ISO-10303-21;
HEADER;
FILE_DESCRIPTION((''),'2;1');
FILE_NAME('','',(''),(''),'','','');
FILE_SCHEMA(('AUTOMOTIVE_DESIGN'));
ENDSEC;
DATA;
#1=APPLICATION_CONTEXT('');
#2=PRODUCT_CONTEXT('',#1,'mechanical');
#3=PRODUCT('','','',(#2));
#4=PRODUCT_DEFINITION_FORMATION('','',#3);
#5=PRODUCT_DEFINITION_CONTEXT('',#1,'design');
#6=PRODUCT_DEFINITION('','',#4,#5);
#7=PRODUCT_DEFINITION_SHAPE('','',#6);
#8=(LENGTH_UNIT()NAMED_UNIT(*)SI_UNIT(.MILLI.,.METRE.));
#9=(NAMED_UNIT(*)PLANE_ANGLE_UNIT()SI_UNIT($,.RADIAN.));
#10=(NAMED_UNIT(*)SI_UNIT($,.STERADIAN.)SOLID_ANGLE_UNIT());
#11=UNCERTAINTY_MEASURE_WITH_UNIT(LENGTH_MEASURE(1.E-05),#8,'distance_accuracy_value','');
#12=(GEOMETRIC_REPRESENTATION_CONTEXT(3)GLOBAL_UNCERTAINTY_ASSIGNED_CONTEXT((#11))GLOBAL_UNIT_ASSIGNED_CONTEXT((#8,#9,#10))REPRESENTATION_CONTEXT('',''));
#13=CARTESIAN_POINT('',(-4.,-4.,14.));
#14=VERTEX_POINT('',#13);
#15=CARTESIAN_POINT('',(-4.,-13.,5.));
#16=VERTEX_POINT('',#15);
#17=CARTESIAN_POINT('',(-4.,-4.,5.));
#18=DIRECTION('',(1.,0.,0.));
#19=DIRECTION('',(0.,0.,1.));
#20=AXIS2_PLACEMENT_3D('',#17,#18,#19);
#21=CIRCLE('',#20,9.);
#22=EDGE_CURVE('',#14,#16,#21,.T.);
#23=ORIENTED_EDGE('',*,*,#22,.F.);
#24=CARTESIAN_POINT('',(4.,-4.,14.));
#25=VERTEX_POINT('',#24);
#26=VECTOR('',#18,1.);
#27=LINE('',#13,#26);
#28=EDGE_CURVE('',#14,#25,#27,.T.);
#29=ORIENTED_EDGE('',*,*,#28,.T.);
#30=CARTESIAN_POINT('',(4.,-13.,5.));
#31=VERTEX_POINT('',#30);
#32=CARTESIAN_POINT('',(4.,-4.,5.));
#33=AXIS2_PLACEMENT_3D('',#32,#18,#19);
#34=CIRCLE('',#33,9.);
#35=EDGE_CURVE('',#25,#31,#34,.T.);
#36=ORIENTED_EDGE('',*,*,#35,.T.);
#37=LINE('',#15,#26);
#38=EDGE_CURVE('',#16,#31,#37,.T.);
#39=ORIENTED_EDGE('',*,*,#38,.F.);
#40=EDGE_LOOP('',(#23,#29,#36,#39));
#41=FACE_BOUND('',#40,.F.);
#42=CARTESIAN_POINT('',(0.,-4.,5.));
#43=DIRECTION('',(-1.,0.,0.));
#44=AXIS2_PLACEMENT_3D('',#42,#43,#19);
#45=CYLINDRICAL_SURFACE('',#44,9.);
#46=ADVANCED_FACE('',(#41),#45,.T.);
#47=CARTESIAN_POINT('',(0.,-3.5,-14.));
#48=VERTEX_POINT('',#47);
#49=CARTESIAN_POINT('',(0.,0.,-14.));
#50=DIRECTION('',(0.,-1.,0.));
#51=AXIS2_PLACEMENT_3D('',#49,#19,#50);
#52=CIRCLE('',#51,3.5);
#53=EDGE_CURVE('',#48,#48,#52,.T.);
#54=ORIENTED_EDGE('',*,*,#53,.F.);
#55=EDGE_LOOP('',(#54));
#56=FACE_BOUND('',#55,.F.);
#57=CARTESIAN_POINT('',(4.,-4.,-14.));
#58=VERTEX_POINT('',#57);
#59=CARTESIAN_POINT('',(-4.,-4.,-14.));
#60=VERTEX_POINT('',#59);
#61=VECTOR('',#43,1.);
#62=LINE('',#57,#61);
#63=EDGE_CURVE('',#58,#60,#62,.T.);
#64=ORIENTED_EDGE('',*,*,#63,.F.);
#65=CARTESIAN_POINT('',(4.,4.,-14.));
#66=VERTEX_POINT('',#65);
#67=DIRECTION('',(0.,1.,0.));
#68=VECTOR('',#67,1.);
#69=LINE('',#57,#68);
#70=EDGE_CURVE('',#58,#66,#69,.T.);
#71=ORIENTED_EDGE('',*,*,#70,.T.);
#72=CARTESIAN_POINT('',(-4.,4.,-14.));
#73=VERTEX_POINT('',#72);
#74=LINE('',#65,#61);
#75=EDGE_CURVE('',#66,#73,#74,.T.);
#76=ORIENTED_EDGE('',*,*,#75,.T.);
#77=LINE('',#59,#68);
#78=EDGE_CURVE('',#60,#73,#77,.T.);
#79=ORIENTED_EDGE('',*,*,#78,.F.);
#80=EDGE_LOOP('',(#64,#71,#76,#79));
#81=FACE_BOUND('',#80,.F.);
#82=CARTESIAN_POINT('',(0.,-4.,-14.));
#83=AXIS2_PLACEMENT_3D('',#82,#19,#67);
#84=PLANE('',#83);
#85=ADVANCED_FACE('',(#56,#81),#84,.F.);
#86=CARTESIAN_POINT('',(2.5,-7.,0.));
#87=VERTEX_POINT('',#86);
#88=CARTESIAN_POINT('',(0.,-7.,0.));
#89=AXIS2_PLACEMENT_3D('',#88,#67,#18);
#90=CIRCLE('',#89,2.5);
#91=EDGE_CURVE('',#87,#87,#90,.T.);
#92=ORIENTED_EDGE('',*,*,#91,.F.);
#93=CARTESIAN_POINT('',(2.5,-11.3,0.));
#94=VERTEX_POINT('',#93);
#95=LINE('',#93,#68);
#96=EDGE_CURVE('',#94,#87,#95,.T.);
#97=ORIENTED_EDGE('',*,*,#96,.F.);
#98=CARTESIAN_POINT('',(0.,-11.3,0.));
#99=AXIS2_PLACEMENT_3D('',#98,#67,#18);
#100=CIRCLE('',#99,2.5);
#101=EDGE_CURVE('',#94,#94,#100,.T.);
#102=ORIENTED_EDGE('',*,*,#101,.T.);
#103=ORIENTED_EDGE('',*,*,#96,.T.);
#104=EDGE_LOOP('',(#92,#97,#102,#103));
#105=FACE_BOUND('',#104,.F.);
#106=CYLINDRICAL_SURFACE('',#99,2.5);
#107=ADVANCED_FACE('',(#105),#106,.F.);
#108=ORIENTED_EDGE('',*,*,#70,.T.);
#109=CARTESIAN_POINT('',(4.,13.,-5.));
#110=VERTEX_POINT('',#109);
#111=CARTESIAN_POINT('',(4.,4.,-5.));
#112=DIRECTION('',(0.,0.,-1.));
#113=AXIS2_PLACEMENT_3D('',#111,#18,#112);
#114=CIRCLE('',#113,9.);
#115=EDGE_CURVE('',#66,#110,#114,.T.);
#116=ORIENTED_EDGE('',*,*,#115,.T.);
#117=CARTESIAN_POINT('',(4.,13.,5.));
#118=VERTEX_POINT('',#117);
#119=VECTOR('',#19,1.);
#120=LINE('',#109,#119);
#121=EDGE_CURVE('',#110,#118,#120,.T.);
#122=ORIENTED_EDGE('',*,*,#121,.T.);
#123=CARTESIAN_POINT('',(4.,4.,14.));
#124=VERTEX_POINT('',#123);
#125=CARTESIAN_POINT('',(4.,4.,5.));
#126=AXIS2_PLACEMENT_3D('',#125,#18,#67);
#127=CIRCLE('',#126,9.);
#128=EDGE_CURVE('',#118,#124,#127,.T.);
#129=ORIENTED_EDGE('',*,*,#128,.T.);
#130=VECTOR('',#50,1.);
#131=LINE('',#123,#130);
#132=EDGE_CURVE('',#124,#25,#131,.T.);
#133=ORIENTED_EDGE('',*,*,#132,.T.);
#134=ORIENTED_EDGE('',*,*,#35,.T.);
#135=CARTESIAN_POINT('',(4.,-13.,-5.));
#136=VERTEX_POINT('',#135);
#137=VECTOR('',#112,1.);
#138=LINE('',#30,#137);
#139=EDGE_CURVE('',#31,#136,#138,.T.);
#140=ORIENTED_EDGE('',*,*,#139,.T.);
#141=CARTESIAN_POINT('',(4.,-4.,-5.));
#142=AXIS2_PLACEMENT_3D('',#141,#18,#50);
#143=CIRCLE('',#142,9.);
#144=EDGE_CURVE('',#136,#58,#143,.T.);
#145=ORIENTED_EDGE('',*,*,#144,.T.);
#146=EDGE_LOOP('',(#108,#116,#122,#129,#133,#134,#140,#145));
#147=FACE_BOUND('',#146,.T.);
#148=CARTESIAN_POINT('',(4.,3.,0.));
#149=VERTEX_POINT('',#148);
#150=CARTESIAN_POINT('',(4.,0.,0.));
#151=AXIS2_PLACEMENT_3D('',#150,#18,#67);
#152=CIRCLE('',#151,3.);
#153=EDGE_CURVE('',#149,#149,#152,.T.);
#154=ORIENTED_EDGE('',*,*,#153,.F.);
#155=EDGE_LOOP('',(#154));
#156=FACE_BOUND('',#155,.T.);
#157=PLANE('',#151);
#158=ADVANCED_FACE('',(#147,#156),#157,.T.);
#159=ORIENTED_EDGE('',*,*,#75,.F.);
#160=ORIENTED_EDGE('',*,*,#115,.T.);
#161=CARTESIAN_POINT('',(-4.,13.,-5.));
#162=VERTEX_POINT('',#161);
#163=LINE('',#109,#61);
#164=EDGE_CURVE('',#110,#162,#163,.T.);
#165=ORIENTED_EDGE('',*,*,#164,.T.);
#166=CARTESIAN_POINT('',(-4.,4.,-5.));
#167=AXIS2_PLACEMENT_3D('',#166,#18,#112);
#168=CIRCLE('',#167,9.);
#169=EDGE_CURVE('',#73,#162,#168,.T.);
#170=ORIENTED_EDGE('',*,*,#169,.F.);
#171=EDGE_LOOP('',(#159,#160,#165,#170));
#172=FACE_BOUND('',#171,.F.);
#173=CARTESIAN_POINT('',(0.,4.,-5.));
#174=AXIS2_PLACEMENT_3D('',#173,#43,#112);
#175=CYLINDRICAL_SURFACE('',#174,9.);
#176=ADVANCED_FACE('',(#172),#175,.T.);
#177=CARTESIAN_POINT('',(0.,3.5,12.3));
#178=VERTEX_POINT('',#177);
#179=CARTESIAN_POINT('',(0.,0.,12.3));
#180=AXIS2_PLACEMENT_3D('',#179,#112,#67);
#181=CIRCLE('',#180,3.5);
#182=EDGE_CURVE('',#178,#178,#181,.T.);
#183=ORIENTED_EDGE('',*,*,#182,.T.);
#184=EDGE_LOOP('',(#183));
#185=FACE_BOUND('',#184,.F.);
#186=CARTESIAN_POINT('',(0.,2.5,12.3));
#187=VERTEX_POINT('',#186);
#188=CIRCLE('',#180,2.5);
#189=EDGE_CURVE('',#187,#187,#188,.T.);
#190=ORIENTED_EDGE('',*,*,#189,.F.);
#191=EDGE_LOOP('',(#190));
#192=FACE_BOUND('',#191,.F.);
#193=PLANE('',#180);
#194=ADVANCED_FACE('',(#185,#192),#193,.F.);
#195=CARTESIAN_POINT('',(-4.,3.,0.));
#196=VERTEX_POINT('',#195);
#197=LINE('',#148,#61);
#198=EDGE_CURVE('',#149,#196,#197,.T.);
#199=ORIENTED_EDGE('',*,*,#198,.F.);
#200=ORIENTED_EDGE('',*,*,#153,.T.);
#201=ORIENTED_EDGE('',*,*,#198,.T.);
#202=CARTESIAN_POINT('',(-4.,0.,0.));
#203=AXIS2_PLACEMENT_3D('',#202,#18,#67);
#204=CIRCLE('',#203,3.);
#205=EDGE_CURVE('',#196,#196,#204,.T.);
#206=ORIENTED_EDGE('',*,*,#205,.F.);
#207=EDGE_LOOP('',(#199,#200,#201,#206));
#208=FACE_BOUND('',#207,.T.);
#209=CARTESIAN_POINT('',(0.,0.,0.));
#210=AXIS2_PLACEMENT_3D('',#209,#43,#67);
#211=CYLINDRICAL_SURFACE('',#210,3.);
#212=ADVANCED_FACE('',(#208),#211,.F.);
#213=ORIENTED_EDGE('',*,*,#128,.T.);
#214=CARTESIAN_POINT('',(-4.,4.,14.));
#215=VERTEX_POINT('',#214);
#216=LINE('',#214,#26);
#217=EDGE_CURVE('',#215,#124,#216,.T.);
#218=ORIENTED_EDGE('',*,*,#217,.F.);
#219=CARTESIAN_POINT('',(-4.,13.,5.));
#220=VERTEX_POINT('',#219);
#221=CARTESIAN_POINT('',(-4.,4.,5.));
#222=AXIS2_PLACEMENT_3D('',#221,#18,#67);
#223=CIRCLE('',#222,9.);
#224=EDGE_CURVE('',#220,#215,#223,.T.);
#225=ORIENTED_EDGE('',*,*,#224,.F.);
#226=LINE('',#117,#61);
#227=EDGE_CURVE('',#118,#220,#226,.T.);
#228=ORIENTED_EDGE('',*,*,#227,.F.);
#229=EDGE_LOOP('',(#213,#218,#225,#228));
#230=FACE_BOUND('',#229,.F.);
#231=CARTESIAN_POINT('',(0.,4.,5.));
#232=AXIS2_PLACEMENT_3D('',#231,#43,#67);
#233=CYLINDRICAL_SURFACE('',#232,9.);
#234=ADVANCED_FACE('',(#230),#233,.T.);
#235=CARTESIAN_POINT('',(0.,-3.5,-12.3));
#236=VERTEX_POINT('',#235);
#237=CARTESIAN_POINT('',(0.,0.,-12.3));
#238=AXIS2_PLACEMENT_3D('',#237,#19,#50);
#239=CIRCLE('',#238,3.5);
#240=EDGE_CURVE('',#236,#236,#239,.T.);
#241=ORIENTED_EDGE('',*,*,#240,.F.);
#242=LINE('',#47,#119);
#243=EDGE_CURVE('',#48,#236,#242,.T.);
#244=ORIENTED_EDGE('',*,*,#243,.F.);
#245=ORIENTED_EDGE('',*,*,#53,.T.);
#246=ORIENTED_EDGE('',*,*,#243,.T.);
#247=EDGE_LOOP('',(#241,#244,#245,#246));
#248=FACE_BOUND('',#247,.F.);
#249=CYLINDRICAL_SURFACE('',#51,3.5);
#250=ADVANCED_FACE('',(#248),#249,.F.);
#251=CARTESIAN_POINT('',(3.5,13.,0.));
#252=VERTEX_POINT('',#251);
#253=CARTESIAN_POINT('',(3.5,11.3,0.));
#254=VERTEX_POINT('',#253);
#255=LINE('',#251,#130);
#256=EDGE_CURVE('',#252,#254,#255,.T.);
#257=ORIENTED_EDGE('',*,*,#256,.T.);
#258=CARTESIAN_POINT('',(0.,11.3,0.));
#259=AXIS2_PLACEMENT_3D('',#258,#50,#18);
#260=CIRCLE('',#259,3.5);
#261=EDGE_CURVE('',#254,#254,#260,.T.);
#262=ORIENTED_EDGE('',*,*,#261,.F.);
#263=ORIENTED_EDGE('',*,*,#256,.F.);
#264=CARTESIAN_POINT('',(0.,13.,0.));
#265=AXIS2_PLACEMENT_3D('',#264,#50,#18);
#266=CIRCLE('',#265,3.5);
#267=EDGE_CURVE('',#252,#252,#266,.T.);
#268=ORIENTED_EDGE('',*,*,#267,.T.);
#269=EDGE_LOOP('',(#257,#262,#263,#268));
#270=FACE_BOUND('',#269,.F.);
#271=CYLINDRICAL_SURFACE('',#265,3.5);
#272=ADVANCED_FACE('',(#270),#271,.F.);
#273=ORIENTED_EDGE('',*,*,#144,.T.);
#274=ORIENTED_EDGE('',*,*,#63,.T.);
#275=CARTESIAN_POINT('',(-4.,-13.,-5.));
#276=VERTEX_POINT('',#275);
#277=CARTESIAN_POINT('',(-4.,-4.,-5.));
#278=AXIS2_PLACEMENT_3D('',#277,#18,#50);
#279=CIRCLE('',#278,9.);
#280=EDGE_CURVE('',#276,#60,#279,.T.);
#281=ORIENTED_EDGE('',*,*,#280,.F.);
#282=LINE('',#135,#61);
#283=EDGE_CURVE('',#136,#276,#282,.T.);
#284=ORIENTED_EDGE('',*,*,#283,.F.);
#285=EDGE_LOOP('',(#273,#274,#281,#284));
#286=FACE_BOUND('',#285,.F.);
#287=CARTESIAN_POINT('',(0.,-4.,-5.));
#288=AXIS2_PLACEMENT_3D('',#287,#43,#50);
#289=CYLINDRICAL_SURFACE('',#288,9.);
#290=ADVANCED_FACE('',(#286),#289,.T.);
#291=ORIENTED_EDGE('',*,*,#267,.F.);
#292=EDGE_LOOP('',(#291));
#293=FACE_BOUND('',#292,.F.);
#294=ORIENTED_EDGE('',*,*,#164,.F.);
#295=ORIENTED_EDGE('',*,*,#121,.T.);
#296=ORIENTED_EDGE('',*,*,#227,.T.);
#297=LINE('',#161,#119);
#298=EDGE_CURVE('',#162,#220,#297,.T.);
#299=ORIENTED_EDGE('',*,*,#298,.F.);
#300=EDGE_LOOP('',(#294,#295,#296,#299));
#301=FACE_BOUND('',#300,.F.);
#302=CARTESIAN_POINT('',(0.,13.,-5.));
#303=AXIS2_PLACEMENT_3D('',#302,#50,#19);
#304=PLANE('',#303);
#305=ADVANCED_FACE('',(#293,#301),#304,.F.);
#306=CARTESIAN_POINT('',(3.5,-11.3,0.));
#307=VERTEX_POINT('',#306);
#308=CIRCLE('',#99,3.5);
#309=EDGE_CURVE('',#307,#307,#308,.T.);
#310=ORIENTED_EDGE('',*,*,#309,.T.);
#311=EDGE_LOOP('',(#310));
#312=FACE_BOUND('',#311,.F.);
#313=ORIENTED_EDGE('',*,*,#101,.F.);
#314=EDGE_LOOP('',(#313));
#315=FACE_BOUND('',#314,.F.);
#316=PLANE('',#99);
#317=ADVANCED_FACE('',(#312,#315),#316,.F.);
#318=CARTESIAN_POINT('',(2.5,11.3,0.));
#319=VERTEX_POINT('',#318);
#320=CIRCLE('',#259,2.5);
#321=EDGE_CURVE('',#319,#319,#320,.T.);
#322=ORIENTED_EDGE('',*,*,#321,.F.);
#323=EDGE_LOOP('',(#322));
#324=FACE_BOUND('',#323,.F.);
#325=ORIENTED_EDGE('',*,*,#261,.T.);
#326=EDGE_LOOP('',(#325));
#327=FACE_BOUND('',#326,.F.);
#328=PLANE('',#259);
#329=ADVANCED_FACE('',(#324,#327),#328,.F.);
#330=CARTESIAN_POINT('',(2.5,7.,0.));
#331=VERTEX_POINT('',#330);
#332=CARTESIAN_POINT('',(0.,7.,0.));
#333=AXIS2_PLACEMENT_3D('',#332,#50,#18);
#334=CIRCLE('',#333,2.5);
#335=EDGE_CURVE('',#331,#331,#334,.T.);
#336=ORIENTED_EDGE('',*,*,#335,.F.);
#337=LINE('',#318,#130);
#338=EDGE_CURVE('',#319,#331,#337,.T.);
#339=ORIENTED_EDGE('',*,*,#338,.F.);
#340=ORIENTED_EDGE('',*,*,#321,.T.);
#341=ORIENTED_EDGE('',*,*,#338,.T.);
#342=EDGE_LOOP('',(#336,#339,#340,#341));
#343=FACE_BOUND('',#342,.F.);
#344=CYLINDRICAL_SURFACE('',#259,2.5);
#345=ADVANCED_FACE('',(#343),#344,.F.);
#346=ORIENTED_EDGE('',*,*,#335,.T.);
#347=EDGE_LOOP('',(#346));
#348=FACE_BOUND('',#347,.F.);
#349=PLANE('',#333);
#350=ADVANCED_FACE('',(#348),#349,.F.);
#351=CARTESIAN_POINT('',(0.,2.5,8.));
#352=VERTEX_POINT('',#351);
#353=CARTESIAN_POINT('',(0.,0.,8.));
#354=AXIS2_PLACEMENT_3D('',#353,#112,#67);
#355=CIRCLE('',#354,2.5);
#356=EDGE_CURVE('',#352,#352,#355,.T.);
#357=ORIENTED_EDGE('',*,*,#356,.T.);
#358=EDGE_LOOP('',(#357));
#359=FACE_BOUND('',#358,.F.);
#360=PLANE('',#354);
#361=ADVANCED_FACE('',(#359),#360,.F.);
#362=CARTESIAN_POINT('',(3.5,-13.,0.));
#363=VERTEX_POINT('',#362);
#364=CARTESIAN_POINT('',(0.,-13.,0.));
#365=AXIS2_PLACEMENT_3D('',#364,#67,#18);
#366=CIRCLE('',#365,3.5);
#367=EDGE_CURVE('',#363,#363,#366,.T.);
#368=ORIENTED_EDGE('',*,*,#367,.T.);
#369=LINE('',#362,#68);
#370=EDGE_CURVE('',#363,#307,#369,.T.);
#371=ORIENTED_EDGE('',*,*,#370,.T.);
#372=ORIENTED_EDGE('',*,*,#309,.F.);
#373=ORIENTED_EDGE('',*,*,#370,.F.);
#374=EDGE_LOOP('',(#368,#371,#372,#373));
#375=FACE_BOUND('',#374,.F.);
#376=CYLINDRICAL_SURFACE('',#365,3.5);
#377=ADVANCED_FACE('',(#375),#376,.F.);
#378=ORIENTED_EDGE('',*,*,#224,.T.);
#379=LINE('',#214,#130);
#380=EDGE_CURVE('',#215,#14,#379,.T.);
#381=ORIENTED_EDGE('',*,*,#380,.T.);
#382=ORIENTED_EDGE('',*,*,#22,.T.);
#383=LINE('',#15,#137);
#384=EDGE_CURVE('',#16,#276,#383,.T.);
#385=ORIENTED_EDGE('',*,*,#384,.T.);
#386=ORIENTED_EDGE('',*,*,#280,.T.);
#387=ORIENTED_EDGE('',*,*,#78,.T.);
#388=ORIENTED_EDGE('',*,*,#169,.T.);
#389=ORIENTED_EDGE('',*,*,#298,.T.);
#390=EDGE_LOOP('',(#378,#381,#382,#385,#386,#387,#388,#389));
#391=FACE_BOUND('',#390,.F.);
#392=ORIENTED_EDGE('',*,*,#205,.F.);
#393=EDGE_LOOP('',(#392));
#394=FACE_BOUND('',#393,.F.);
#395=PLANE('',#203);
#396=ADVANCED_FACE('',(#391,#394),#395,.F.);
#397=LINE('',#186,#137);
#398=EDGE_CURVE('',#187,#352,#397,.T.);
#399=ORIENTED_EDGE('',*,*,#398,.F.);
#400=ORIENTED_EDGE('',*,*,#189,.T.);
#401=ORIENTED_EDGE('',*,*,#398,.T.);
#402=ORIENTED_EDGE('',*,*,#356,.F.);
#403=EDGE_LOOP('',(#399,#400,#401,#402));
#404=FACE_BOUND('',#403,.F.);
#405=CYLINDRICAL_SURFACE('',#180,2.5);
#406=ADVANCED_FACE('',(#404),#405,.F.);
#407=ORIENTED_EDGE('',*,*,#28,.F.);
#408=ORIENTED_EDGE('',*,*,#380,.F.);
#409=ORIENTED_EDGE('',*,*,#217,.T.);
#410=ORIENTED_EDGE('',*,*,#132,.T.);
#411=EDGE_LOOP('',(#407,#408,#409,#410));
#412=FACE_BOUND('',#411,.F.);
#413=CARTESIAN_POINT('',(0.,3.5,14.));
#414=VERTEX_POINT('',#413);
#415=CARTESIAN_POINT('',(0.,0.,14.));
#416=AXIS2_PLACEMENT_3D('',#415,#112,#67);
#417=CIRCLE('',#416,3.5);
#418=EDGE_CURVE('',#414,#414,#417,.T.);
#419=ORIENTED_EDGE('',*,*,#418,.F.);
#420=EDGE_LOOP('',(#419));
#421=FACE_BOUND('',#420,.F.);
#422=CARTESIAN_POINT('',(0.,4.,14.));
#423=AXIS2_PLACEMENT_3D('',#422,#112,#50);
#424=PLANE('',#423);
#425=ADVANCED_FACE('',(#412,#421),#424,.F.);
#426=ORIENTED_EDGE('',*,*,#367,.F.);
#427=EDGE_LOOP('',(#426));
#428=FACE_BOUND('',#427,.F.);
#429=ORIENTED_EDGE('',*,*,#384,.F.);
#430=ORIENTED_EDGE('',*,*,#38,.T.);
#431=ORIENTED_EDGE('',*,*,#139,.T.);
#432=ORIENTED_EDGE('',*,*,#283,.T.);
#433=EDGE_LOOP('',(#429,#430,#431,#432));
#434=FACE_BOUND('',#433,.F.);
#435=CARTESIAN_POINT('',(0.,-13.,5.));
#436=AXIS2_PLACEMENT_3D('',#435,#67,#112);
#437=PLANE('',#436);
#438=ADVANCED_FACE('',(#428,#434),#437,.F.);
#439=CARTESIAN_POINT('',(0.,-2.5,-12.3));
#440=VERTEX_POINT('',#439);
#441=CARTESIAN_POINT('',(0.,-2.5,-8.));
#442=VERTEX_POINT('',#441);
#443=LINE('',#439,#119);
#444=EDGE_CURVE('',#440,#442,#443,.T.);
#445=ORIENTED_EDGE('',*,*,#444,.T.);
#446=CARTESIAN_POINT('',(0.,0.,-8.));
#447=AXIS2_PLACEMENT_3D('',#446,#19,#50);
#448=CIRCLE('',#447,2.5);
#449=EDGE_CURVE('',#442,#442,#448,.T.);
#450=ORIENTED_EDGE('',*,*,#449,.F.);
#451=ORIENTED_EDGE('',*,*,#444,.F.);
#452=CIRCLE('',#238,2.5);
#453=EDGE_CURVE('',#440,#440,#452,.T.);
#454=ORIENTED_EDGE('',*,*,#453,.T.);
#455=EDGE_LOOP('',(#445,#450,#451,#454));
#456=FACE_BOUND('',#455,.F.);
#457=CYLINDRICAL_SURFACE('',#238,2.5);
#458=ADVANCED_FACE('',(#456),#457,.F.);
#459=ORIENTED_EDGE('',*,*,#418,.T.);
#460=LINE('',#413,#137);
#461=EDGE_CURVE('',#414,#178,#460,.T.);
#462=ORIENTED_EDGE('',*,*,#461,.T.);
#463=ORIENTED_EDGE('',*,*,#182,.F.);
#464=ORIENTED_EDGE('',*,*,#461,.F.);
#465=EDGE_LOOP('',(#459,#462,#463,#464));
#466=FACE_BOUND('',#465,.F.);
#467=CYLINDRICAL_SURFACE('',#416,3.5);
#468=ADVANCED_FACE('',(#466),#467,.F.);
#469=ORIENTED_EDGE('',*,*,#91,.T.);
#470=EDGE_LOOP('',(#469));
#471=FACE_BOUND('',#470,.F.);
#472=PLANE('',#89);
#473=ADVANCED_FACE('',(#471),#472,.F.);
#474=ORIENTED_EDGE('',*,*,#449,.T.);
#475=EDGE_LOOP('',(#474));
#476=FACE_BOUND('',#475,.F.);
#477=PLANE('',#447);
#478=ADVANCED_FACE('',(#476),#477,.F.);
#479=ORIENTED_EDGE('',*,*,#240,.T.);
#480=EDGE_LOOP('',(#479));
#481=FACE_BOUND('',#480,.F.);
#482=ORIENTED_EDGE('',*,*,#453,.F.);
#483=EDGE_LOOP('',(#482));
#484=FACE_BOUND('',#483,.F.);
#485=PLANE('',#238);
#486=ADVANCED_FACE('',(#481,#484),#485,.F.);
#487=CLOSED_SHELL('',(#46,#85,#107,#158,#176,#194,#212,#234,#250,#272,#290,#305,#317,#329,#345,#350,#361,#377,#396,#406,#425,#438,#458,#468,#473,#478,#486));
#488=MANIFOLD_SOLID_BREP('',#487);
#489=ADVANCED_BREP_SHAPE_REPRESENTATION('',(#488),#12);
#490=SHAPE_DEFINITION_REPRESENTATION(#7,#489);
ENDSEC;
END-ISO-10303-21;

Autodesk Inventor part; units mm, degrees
ref_plane "YZ Plane" through (0, 0, 0) normal (1, 0, 0) x (0, 1, 0)
ref_plane "XZ Plane" through (0, 0, 0) normal (0, 1, 0) x (-1, 0, 0)
ref_plane "XY Plane" through (0, 0, 0) normal (0, 0, 1) x (1, 0, 0)
sketch "草圖4" plane through (0, 0, 0) normal (1, 0, 0) x (0, 1, 0)
  line L0 (4, 14) -> (-4, 14)
  line L1 (-13, 5) -> (-13, -5)
  line L2 (-4, -14) -> (4, -14)
  line L3 (13, -5) -> (13, 5)
  arc A0 (13, 5) -> (4, 14) centre (4, 5) ccw
  arc A1 (4, -14) -> (13, -5) centre (4, -5) ccw
  arc A2 (-13, -5) -> (-4, -14) centre (-4, -5) ccw
  arc A3 (-4, 14) -> (-13, 5) centre (-4, 5) ccw
  circle A4 centre (0, 0) radius 3
  point P0 (-13, -14)
  point P1 (-13, 14)
  point P2 (13, -14)
  point P3 (0, 14)
  point P4 (13, 0)
  dimension "d13" = 26
  dimension "d14" = 28
  dimension "d15" = 9
  dimension "d23" = 6
extrude "擠出1" add sketch "草圖4" along normal mid plane 8
sketch "草圖3" plane through (0, 0, 0) normal (0, 0, 1) x (1, 0, 0)
  line L0 (0, 13) -> (3.5, 13)
  line L1 (3.5, 13) -> (3.5, 11.3)
  line L2 (3.5, 11.3) -> (2.5, 11.3)
  line L3 (2.5, 11.3) -> (2.5, 7)
  line L4 (2.5, 7) -> (0, 7)
  line L5 (0, 13) -> (0, 7)
  line L6 (4, 13) -> (-4, 13) construction
  point P0 (0, 0)
  dimension "d5" = 1.7
  dimension "d6" = 7
  dimension "d7" = 6
  dimension "d8" = 5
revolve "迴轉2" cut sketch "草圖3" angle 360 about axis through (0, 13, 0) along (0, -1, 0)
sketch "草圖5" plane through (0, 0, 0) normal (1, 0, 0) x (0, 1, 0)
  line L0 (0, 14) -> (3.5, 14)
  line L1 (3.5, 14) -> (3.5, 12.3)
  line L2 (3.5, 12.3) -> (2.5, 12.3)
  line L3 (2.5, 12.3) -> (2.5, 8)
  line L4 (2.5, 8) -> (0, 8)
  line L5 (0, 14) -> (0, 8)
  line L6 (-4, 14) -> (4, 14) construction
  point P0 (0, 0)
  point P1 (0, 0)
  dimension "d18" = 1.7
  dimension "d19" = 7
  dimension "d20" = 6
  dimension "d21" = 5
revolve "迴轉3" cut sketch "草圖5" angle 360 about axis through (0, 0, 14) along (0, 0, -1)
pattern_circular "環形陣列1" count 2 over 360 about axis through (-10, 0, 0) along (1, 0, 0) of "迴轉2", "迴轉3"
properties part number "限位塊" material "SS41"
